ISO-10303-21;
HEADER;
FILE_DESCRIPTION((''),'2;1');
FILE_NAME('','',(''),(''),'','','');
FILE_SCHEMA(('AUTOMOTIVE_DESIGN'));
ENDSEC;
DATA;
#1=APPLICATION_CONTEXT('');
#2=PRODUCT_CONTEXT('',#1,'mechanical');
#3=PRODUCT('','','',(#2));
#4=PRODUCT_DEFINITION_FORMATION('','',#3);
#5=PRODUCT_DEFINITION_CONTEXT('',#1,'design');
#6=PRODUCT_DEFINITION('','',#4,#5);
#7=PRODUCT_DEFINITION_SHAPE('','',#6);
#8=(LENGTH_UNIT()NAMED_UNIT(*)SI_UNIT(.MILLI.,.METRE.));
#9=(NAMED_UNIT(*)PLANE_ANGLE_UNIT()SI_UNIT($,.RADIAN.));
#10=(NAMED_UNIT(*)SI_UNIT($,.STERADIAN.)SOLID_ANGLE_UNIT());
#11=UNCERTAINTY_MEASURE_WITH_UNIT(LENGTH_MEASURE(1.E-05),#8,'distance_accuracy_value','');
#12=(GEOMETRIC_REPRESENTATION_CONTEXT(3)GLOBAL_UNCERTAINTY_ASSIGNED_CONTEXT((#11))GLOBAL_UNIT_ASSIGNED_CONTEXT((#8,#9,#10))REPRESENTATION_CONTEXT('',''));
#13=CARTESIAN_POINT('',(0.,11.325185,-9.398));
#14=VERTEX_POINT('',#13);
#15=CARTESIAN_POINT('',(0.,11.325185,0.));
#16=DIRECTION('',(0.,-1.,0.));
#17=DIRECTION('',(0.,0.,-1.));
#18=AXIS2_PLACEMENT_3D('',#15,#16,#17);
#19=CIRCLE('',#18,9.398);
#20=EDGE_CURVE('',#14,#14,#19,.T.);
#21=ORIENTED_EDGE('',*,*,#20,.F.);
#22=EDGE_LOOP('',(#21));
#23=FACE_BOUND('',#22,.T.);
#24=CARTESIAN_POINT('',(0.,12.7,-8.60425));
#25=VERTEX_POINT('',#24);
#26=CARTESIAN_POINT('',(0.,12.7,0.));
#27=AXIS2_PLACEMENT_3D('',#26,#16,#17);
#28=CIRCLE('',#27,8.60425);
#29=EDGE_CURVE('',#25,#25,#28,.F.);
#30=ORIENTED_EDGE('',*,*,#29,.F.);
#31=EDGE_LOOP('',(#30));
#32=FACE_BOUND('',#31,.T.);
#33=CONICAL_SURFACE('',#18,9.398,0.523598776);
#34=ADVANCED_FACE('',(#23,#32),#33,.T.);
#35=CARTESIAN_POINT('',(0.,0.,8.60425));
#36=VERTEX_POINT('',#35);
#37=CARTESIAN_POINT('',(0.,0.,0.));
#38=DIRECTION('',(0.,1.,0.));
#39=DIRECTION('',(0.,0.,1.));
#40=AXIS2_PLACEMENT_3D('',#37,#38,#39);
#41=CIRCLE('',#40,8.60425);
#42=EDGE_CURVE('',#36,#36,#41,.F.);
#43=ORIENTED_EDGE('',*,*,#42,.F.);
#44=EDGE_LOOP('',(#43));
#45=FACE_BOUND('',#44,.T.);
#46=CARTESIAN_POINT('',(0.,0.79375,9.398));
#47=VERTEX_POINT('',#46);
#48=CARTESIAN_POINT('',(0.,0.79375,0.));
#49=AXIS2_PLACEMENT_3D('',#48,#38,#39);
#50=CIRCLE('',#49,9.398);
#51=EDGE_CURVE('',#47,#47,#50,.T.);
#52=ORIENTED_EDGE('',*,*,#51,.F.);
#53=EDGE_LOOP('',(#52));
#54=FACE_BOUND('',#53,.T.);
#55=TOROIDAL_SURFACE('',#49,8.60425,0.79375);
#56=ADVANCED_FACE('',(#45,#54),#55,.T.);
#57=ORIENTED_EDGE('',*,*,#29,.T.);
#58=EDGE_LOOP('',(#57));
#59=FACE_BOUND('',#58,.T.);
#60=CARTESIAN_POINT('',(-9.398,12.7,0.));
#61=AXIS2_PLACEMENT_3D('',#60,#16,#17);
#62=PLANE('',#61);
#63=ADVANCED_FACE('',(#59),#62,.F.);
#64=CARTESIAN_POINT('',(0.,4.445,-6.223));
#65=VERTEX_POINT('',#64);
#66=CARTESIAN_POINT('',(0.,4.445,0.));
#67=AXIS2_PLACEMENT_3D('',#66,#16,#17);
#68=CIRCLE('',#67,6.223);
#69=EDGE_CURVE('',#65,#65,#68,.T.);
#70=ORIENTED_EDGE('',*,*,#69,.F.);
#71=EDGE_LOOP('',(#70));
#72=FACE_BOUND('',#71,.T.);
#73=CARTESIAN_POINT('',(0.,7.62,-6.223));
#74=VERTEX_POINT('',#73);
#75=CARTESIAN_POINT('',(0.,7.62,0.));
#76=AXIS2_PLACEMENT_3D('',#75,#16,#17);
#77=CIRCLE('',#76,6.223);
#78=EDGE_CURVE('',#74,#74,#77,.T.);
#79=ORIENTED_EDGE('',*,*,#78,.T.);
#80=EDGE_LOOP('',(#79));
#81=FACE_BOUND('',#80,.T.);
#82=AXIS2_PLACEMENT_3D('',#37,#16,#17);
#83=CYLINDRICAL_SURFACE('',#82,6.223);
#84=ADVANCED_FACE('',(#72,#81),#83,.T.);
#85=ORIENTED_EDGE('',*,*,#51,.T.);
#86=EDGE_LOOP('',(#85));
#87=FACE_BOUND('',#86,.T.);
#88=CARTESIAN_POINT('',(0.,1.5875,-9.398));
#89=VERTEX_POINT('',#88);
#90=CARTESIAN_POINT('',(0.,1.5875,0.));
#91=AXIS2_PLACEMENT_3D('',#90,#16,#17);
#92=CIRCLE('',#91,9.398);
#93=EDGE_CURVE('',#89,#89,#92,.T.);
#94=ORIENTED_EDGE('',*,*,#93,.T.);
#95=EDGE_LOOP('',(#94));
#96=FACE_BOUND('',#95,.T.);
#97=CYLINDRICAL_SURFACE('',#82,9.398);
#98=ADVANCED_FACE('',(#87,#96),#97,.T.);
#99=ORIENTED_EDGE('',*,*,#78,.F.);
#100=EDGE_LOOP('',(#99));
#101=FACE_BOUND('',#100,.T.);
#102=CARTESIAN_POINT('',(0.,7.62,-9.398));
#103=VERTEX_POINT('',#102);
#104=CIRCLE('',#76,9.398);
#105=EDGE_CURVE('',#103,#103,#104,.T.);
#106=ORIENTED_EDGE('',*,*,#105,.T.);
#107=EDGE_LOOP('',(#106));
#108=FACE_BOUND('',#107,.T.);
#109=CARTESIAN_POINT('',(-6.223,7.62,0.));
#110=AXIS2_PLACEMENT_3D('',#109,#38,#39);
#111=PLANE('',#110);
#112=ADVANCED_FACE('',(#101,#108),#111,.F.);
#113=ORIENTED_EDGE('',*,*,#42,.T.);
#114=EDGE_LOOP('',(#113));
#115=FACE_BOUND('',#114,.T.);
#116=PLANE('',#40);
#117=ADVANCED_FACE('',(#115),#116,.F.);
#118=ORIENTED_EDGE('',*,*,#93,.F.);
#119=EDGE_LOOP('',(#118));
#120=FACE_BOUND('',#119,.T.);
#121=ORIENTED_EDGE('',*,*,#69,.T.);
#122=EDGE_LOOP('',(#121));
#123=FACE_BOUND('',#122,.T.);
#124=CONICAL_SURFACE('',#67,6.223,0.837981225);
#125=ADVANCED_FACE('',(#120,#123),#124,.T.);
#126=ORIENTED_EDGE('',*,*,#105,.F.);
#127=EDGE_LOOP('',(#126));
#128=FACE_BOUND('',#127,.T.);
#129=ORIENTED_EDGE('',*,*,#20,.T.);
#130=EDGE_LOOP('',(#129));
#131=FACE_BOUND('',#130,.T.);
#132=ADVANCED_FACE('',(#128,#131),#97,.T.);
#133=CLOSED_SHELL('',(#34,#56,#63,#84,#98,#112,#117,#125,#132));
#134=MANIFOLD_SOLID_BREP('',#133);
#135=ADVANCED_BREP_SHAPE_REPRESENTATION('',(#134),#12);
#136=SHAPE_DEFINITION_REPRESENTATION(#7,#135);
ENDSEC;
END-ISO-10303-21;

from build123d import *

# Parameters (mm, degrees)
FILLET1_R      = 0.79375
CHAMFER1_SIZE  = 0.79375
CHAMFER1_SIZE2 = 1.374815329


with BuildPart() as part:
    # Sketch1 → Revolve1 (revolve)
    with BuildSketch(Plane.XY):
        Polygon((0, 0), (-9.398, 0), (-9.398, 1.5875), (-6.223, 4.445), (-6.223, 7.62), (-9.398, 7.62), (-9.398, 12.7), (0, 12.7), align=None)
    revolve(axis=Axis((0, 0, 0), (0, 1, 0)))

    # Fillet1
    fillet1_edges = [part.edges().sort_by_distance(p)[0] for p in [
        (9.398, 0, 0),
    ]]
    fillet(fillet1_edges, radius=FILLET1_R)

    # Chamfer1
    chamfer1_edges = [part.edges().sort_by_distance(p)[0] for p in [
        (9.398, 12.7, 0),
    ]]
    chamfer1_side = [part.faces().sort_by_distance(p)[0] for p in [
        (0, 12.7, 0),
    ]]
    chamfer(chamfer1_edges, length=CHAMFER1_SIZE, length2=CHAMFER1_SIZE2, reference=chamfer1_side[0])


solid = part.part
